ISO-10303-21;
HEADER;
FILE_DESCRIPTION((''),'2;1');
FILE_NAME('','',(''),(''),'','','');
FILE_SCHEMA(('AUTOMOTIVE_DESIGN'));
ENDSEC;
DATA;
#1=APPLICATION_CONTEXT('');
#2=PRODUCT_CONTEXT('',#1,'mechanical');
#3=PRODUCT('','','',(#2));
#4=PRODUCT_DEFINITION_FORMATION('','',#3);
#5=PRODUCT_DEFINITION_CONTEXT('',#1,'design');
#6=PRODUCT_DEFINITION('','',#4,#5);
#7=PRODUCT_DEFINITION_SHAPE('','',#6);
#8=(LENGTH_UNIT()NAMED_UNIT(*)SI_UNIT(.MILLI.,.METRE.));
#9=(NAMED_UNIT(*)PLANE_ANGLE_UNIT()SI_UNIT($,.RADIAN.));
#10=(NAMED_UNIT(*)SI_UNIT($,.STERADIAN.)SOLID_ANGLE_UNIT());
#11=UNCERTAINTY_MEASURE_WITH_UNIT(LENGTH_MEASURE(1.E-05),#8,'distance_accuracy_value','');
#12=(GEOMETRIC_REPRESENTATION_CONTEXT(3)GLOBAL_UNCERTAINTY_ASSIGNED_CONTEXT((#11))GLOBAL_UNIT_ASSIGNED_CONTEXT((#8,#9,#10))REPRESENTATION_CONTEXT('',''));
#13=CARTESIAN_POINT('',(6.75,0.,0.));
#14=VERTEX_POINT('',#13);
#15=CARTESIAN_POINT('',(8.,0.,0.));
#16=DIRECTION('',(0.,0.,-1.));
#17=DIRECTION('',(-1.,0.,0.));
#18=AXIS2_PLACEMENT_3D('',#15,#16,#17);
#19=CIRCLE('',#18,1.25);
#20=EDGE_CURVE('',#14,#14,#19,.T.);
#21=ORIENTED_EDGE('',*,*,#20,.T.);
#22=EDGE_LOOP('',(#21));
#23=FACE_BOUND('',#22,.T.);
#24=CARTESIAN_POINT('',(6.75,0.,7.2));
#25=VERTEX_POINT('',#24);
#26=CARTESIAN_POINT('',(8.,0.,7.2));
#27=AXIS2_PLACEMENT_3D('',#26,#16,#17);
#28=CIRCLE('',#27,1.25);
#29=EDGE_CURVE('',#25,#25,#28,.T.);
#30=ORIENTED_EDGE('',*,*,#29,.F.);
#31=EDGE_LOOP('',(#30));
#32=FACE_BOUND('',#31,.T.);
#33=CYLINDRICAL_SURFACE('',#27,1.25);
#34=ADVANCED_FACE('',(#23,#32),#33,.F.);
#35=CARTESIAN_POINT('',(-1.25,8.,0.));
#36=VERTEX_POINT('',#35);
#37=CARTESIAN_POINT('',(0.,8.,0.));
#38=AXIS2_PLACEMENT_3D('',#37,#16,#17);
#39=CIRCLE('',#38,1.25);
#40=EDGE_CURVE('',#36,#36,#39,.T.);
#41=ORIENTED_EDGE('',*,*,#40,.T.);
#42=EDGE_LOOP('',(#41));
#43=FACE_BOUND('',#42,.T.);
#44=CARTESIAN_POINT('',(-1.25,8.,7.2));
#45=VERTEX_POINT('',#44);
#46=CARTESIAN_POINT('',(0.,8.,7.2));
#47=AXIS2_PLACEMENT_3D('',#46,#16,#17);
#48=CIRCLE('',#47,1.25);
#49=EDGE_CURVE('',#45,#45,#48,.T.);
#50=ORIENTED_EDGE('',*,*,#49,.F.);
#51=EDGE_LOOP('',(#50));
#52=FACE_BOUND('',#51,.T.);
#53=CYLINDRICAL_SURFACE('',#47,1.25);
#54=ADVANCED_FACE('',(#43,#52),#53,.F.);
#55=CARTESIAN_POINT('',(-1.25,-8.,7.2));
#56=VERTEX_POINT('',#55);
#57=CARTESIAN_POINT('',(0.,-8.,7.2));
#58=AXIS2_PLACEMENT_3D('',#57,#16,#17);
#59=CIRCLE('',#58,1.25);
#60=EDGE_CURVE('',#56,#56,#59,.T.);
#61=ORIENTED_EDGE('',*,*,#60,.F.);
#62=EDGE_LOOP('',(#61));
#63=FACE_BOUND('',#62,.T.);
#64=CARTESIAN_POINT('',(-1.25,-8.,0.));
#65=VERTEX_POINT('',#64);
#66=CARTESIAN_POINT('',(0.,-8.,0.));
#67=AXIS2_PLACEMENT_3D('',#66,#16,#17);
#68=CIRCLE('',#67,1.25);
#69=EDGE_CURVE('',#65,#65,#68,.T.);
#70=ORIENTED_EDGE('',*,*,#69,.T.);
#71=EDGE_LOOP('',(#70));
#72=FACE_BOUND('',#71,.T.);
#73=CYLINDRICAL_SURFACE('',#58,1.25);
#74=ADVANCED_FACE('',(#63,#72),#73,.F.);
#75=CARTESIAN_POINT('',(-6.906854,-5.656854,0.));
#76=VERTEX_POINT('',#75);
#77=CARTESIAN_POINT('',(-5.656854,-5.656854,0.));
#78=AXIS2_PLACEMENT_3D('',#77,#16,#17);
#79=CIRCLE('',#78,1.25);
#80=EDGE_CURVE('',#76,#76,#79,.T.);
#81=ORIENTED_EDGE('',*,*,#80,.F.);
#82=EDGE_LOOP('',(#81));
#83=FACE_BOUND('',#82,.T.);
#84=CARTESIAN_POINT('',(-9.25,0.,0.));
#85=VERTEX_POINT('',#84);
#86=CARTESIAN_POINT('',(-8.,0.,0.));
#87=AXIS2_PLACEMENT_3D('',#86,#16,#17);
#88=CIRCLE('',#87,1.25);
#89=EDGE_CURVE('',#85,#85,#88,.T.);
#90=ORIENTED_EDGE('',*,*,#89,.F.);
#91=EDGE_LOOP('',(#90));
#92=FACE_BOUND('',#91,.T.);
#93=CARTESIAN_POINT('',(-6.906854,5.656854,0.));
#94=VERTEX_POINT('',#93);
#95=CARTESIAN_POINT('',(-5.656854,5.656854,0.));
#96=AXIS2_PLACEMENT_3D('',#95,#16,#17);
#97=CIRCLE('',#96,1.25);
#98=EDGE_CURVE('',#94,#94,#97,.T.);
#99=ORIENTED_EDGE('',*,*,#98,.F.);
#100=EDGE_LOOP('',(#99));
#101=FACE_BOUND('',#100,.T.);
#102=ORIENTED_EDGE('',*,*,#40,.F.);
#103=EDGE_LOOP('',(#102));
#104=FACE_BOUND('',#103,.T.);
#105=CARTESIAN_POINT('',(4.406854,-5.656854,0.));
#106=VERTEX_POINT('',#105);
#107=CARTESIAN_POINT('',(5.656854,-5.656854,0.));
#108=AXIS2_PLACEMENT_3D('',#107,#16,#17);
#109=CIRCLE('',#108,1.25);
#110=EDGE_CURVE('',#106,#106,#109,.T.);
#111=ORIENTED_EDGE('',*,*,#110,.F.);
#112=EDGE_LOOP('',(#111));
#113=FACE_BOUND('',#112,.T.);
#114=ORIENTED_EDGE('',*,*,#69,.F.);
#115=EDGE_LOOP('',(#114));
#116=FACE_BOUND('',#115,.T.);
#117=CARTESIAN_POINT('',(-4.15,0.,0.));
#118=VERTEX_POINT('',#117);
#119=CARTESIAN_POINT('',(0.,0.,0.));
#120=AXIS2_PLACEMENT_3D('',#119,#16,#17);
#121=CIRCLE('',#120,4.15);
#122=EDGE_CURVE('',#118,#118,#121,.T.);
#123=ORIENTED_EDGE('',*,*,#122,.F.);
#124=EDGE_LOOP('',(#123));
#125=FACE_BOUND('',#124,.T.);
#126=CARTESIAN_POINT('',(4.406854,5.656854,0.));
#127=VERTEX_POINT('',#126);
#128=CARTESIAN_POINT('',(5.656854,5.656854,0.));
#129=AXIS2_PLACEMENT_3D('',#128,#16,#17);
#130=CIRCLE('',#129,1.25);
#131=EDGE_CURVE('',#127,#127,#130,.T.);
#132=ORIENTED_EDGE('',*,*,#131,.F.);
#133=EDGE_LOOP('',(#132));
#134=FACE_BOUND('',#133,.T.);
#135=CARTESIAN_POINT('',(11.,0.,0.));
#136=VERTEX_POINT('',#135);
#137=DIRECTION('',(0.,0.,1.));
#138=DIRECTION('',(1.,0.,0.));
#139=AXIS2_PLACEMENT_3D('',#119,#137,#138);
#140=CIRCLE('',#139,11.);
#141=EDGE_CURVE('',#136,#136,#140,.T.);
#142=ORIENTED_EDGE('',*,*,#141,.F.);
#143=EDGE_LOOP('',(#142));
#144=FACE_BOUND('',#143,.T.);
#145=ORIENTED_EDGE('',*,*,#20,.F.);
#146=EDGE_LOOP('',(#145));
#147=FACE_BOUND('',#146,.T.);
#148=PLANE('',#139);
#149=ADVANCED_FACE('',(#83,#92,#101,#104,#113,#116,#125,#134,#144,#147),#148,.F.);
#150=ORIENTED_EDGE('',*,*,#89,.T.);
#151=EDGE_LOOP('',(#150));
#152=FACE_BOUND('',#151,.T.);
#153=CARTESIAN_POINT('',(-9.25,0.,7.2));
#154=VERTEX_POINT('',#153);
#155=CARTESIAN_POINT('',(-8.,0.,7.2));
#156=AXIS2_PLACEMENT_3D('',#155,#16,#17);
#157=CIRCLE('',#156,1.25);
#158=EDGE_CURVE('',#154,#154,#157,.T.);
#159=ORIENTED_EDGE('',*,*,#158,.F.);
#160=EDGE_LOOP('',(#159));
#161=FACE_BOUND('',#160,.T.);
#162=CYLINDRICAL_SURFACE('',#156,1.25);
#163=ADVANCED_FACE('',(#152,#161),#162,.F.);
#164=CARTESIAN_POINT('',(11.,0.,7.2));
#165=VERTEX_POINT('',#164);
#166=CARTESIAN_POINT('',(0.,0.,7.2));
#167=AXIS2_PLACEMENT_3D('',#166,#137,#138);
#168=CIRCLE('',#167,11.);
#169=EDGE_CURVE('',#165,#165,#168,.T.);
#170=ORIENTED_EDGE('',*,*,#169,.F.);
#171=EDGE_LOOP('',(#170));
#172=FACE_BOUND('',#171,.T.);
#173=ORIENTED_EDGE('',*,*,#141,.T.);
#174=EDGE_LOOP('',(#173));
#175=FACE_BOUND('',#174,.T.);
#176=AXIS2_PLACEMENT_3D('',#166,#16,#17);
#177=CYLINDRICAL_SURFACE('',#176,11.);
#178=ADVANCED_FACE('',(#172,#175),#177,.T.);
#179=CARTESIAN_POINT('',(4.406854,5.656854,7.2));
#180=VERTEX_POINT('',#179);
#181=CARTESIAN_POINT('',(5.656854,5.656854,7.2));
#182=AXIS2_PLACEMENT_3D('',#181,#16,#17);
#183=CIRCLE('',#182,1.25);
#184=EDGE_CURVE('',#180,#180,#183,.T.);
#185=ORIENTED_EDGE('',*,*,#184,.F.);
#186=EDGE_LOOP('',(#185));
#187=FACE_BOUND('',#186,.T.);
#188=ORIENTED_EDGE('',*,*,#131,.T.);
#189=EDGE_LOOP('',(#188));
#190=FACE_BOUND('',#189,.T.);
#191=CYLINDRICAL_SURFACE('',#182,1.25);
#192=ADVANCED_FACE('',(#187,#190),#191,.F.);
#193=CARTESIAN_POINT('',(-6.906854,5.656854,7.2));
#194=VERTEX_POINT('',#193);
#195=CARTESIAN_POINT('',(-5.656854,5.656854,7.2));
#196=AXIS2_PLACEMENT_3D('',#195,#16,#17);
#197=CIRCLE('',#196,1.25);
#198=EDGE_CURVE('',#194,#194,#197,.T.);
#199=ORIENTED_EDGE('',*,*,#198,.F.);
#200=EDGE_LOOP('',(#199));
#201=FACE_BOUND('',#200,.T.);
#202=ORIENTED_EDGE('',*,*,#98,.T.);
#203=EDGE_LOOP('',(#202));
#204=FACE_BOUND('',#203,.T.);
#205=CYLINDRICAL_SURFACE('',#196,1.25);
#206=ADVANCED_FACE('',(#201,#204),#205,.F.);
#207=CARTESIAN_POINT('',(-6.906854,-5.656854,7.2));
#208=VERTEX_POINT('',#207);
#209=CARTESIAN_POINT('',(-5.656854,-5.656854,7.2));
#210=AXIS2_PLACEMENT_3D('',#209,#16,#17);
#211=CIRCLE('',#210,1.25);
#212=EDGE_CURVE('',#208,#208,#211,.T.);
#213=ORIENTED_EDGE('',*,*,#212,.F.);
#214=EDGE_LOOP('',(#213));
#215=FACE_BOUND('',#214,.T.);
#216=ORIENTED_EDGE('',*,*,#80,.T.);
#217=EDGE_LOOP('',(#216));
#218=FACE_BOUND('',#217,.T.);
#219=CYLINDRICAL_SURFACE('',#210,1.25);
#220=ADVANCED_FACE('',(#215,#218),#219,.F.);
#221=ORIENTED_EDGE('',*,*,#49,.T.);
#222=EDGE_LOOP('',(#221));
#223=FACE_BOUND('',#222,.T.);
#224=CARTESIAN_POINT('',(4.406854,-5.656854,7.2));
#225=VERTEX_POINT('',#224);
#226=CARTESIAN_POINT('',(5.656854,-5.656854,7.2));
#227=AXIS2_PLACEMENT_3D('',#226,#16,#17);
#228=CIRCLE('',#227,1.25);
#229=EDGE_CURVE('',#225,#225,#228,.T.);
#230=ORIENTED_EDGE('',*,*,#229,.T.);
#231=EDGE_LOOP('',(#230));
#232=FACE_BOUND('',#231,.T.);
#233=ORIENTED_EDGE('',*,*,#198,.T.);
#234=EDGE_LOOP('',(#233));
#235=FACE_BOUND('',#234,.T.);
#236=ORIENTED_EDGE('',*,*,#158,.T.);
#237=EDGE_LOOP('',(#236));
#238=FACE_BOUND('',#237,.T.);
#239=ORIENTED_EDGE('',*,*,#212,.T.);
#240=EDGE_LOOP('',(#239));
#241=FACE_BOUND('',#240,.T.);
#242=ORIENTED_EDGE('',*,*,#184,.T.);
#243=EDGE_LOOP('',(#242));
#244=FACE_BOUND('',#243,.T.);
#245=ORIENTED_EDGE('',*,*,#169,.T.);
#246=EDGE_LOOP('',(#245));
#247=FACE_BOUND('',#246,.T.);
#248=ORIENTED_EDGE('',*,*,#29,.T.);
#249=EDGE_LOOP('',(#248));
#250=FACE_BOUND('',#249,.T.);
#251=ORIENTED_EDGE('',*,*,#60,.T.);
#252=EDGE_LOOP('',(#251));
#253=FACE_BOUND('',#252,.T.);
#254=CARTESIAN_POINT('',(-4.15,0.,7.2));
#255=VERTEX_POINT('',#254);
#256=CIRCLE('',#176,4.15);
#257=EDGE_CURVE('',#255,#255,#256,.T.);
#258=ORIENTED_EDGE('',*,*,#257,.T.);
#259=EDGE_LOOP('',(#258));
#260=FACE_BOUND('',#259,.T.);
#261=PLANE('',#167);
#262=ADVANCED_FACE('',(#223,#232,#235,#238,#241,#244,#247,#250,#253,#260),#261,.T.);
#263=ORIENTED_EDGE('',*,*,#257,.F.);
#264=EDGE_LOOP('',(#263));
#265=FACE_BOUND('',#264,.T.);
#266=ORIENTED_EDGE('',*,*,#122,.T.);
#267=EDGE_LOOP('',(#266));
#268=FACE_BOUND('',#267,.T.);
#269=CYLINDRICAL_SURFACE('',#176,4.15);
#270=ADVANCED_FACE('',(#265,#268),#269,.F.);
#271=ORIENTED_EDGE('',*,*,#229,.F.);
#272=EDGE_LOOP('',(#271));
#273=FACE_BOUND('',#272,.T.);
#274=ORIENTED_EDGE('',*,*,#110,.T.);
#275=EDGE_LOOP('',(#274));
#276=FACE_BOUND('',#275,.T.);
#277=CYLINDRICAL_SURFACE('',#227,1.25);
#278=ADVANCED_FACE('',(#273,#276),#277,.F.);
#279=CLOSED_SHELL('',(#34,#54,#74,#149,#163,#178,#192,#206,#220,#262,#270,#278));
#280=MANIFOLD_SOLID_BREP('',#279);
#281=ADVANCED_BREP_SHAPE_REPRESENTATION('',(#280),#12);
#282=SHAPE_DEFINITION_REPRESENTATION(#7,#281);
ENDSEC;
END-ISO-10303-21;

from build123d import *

# Parameters (mm, degrees)
SKETCH2_R           = 11
BOSS_EXTRUDE1_DEPTH = 7.2
SKETCH3_R           = 4.15
SKETCH3_R_2         = 1.25
CUT_EXTRUDE1_DEPTH  = 8.2


with BuildPart() as part:
    # Sketch2 → Boss-Extrude1 (new body)
    with BuildSketch(Plane.XY):
        Circle(SKETCH2_R)
    extrude(amount=BOSS_EXTRUDE1_DEPTH)

    # Sketch3 → Cut-Extrude1 (cut, through all)
    with BuildSketch(Plane(origin=(0, 0, 0), x_dir=(-1, 0, 0), z_dir=(0, 0, -1))):
        Circle(SKETCH3_R)
        with Locations((8, 0)):
            Circle(SKETCH3_R_2)
        with Locations((5.656854249, -5.656854249)):
            Circle(SKETCH3_R_2)
        with Locations((0, -8)):
            Circle(SKETCH3_R_2)
        with Locations((-5.656854249, -5.656854249)):
            Circle(SKETCH3_R_2)
        with Locations((-8, 0)):
            Circle(SKETCH3_R_2)
        with Locations((-5.656854249, 5.656854249)):
            Circle(SKETCH3_R_2)
        with Locations((0, 8)):
            Circle(SKETCH3_R_2)
        with Locations((5.656854249, 5.656854249)):
            Circle(SKETCH3_R_2)
    extrude(amount=-CUT_EXTRUDE1_DEPTH, mode=Mode.SUBTRACT)


solid = part.part
